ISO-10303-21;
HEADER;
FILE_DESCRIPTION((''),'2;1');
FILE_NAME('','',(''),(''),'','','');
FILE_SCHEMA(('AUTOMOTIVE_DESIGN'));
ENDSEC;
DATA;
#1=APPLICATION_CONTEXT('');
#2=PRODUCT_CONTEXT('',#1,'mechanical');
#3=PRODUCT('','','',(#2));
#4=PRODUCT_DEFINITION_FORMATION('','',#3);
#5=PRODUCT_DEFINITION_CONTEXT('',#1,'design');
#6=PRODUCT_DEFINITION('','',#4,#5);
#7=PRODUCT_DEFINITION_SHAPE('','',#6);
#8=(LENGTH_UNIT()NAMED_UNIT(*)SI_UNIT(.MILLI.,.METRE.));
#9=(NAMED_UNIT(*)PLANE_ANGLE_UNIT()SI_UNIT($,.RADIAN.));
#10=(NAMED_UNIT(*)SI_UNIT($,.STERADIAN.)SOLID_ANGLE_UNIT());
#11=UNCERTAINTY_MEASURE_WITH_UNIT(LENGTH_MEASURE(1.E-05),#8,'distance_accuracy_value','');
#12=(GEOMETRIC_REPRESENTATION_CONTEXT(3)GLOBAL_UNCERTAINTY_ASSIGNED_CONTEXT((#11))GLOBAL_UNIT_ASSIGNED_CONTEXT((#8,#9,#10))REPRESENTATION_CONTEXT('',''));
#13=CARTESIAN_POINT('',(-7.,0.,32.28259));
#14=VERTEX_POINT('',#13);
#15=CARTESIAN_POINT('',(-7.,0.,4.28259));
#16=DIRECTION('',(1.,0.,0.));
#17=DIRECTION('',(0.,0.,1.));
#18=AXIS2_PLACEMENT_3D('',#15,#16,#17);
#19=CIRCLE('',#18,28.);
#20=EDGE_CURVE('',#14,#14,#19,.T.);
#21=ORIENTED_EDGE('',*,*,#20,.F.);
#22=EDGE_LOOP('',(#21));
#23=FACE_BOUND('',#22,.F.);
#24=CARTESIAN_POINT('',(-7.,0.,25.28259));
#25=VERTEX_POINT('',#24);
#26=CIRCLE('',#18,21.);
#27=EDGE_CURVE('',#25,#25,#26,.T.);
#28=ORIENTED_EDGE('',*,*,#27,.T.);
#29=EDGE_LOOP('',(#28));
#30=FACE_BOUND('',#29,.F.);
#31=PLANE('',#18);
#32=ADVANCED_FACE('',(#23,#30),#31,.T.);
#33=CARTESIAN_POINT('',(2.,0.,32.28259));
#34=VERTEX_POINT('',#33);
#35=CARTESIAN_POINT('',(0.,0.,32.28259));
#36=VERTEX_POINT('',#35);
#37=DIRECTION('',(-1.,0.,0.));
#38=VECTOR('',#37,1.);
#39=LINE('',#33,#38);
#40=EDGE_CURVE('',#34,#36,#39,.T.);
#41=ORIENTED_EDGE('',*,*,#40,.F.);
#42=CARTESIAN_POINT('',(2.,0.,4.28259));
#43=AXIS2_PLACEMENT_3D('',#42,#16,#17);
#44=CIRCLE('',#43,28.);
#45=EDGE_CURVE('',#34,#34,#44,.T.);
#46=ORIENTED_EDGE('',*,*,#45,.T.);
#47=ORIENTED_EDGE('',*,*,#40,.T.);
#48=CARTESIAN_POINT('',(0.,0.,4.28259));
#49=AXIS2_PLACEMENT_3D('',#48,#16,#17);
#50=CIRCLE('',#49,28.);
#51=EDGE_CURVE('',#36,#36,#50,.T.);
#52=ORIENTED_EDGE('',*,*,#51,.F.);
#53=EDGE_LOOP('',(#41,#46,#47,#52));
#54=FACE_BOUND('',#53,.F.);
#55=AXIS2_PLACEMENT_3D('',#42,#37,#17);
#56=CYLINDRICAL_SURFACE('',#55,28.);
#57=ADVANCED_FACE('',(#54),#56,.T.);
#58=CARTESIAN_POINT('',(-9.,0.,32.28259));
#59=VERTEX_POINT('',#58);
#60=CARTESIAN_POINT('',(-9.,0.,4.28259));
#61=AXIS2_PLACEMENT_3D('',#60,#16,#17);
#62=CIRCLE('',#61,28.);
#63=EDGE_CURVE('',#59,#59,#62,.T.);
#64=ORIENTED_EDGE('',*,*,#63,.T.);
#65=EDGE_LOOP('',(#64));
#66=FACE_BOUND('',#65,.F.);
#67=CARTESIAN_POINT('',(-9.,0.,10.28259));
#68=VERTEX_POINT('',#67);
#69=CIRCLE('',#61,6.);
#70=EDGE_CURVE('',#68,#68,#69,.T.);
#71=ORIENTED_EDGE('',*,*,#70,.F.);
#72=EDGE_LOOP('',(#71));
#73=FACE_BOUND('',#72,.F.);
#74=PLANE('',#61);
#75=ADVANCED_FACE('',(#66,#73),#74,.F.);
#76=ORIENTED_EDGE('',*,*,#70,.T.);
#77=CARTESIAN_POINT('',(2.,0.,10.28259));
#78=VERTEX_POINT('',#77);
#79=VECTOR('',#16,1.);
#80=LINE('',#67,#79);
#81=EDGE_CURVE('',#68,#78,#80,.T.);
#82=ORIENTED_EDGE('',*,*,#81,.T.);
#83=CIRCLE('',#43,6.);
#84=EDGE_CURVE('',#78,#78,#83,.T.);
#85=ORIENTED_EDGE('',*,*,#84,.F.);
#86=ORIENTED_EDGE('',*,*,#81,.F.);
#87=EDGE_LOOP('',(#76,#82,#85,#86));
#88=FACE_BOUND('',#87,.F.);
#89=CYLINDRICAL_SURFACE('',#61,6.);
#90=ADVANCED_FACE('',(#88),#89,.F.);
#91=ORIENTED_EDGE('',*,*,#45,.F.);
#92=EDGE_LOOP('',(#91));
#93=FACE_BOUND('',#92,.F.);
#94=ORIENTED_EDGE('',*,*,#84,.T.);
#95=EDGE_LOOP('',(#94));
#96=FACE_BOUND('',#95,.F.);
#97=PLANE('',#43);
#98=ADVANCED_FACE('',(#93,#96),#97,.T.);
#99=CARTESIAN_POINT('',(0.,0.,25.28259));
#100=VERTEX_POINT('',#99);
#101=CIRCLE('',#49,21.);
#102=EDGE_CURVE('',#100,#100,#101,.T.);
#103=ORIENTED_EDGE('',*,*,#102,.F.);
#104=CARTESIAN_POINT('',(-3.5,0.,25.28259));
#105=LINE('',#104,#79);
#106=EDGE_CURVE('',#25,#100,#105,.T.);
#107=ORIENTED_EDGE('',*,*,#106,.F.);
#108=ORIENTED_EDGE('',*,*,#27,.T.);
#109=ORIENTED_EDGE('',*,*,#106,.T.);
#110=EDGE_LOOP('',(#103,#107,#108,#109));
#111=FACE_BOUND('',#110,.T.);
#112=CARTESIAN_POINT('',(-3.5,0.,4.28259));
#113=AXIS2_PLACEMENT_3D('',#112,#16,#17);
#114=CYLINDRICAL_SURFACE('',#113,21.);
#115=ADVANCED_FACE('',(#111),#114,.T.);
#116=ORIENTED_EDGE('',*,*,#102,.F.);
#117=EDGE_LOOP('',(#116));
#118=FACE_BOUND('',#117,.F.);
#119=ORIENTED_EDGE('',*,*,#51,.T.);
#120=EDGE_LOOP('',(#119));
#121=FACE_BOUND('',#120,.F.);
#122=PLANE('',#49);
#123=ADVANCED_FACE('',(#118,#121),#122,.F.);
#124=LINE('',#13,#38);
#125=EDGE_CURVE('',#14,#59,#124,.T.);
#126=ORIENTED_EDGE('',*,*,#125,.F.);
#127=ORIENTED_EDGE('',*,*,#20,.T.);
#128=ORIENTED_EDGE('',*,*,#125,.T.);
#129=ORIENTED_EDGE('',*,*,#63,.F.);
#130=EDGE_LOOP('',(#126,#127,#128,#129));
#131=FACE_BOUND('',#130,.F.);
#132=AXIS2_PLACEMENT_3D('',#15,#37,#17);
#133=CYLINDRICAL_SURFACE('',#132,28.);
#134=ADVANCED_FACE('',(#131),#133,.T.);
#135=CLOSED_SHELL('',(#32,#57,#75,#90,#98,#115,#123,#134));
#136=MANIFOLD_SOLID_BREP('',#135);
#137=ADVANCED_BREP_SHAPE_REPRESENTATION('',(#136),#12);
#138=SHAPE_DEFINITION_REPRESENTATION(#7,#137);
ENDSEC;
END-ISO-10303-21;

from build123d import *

# Parameters (mm, degrees)
F0_W = 7
F0_H = 15


with BuildPart() as f1:
    # F0 (on Front) → F1 (revolve)
    with BuildSketch(Plane.XZ):
        with Locations((-3.5, 17.78259)):
            Rectangle(F0_W, F0_H)
        Polygon((-7, 32.28259), (-9, 32.28259), (-9, 10.28259), (-7, 10.28259), (-7, 25.28259), align=None)
        Polygon((0, 32.28259), (0, 25.28259), (0, 10.28259), (2, 10.28259), (2, 32.28259), align=None)
    revolve(axis=Axis((-3.345939, 0, 4.28259), (1, 0, 0)))


solid = f1.part
